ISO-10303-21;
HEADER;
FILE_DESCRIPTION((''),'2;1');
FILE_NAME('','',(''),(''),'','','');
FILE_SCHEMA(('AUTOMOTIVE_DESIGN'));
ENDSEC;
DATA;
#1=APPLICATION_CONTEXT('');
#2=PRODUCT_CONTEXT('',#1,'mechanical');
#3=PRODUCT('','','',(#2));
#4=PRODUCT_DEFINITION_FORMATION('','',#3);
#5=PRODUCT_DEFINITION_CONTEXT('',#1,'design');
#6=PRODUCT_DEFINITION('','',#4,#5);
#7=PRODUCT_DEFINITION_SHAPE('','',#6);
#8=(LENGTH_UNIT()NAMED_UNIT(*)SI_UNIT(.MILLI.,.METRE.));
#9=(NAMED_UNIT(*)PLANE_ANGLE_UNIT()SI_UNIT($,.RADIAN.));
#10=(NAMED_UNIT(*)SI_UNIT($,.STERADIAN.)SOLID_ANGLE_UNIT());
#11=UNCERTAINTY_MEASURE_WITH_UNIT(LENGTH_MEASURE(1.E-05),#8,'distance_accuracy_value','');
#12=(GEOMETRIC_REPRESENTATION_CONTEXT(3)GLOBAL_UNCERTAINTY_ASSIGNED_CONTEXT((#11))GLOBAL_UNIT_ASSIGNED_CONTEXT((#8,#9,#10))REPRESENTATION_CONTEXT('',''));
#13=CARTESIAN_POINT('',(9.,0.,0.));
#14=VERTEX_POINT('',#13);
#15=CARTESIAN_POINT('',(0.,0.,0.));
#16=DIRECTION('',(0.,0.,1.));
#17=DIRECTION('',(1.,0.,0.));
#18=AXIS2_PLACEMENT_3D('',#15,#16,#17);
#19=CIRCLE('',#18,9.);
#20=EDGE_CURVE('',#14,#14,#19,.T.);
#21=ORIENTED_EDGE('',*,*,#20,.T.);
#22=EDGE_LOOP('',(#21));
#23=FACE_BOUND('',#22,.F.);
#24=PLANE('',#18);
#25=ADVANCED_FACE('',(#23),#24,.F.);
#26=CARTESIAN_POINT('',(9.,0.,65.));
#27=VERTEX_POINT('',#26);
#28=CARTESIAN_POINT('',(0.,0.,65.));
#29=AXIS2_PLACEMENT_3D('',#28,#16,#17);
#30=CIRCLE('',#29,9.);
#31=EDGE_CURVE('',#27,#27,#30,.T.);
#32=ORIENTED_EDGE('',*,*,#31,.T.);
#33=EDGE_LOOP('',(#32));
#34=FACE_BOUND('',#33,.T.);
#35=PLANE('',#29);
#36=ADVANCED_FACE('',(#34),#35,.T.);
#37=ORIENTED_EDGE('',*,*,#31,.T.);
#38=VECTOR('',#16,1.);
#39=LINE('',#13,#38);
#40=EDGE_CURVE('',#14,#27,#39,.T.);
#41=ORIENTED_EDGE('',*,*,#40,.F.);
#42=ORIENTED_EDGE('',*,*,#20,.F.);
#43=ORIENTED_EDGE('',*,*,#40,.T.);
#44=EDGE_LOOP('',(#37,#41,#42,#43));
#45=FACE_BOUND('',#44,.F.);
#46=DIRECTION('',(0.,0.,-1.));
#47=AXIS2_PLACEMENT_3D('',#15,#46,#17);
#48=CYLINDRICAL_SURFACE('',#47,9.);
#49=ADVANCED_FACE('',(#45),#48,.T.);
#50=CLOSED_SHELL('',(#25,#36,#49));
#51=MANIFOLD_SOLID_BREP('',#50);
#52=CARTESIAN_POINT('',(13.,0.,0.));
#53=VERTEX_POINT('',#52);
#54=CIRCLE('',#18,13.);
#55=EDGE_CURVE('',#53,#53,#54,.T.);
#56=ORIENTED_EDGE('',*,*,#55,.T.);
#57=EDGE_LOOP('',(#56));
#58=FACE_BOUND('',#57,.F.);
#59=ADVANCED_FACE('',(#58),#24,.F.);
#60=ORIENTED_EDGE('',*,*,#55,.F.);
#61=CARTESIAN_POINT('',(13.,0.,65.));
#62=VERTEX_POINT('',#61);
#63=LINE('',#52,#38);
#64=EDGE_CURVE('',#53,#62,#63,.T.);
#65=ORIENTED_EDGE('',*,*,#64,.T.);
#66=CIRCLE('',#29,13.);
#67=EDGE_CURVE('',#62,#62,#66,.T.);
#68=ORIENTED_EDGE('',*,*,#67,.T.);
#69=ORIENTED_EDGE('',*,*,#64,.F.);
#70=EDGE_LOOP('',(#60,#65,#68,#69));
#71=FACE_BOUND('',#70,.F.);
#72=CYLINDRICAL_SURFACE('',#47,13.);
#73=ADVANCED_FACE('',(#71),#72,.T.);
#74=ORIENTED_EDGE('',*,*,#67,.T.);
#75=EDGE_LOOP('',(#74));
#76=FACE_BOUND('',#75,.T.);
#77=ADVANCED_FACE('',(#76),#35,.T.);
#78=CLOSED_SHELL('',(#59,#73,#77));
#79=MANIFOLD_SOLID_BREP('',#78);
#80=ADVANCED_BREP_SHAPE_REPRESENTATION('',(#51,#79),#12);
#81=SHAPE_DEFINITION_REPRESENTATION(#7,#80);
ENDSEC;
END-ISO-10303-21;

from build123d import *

# Parameters (mm, degrees)
SKETCH_R     = 9
PAD_DEPTH    = 65
SKETCH001_R  = 13
PAD001_DEPTH = 65


with BuildPart() as battery_18650_body:
    # Sketch → Pad (new body)
    with BuildSketch(Plane.XY):
        Circle(SKETCH_R)
    extrude(amount=PAD_DEPTH)


with BuildPart() as battery_26650_body001:
    # Sketch001 → Pad001 (new body)
    with BuildSketch(Plane.XY):
        Circle(SKETCH001_R)
    extrude(amount=PAD001_DEPTH)


solid = Compound([battery_18650_body.part, battery_26650_body001.part])
